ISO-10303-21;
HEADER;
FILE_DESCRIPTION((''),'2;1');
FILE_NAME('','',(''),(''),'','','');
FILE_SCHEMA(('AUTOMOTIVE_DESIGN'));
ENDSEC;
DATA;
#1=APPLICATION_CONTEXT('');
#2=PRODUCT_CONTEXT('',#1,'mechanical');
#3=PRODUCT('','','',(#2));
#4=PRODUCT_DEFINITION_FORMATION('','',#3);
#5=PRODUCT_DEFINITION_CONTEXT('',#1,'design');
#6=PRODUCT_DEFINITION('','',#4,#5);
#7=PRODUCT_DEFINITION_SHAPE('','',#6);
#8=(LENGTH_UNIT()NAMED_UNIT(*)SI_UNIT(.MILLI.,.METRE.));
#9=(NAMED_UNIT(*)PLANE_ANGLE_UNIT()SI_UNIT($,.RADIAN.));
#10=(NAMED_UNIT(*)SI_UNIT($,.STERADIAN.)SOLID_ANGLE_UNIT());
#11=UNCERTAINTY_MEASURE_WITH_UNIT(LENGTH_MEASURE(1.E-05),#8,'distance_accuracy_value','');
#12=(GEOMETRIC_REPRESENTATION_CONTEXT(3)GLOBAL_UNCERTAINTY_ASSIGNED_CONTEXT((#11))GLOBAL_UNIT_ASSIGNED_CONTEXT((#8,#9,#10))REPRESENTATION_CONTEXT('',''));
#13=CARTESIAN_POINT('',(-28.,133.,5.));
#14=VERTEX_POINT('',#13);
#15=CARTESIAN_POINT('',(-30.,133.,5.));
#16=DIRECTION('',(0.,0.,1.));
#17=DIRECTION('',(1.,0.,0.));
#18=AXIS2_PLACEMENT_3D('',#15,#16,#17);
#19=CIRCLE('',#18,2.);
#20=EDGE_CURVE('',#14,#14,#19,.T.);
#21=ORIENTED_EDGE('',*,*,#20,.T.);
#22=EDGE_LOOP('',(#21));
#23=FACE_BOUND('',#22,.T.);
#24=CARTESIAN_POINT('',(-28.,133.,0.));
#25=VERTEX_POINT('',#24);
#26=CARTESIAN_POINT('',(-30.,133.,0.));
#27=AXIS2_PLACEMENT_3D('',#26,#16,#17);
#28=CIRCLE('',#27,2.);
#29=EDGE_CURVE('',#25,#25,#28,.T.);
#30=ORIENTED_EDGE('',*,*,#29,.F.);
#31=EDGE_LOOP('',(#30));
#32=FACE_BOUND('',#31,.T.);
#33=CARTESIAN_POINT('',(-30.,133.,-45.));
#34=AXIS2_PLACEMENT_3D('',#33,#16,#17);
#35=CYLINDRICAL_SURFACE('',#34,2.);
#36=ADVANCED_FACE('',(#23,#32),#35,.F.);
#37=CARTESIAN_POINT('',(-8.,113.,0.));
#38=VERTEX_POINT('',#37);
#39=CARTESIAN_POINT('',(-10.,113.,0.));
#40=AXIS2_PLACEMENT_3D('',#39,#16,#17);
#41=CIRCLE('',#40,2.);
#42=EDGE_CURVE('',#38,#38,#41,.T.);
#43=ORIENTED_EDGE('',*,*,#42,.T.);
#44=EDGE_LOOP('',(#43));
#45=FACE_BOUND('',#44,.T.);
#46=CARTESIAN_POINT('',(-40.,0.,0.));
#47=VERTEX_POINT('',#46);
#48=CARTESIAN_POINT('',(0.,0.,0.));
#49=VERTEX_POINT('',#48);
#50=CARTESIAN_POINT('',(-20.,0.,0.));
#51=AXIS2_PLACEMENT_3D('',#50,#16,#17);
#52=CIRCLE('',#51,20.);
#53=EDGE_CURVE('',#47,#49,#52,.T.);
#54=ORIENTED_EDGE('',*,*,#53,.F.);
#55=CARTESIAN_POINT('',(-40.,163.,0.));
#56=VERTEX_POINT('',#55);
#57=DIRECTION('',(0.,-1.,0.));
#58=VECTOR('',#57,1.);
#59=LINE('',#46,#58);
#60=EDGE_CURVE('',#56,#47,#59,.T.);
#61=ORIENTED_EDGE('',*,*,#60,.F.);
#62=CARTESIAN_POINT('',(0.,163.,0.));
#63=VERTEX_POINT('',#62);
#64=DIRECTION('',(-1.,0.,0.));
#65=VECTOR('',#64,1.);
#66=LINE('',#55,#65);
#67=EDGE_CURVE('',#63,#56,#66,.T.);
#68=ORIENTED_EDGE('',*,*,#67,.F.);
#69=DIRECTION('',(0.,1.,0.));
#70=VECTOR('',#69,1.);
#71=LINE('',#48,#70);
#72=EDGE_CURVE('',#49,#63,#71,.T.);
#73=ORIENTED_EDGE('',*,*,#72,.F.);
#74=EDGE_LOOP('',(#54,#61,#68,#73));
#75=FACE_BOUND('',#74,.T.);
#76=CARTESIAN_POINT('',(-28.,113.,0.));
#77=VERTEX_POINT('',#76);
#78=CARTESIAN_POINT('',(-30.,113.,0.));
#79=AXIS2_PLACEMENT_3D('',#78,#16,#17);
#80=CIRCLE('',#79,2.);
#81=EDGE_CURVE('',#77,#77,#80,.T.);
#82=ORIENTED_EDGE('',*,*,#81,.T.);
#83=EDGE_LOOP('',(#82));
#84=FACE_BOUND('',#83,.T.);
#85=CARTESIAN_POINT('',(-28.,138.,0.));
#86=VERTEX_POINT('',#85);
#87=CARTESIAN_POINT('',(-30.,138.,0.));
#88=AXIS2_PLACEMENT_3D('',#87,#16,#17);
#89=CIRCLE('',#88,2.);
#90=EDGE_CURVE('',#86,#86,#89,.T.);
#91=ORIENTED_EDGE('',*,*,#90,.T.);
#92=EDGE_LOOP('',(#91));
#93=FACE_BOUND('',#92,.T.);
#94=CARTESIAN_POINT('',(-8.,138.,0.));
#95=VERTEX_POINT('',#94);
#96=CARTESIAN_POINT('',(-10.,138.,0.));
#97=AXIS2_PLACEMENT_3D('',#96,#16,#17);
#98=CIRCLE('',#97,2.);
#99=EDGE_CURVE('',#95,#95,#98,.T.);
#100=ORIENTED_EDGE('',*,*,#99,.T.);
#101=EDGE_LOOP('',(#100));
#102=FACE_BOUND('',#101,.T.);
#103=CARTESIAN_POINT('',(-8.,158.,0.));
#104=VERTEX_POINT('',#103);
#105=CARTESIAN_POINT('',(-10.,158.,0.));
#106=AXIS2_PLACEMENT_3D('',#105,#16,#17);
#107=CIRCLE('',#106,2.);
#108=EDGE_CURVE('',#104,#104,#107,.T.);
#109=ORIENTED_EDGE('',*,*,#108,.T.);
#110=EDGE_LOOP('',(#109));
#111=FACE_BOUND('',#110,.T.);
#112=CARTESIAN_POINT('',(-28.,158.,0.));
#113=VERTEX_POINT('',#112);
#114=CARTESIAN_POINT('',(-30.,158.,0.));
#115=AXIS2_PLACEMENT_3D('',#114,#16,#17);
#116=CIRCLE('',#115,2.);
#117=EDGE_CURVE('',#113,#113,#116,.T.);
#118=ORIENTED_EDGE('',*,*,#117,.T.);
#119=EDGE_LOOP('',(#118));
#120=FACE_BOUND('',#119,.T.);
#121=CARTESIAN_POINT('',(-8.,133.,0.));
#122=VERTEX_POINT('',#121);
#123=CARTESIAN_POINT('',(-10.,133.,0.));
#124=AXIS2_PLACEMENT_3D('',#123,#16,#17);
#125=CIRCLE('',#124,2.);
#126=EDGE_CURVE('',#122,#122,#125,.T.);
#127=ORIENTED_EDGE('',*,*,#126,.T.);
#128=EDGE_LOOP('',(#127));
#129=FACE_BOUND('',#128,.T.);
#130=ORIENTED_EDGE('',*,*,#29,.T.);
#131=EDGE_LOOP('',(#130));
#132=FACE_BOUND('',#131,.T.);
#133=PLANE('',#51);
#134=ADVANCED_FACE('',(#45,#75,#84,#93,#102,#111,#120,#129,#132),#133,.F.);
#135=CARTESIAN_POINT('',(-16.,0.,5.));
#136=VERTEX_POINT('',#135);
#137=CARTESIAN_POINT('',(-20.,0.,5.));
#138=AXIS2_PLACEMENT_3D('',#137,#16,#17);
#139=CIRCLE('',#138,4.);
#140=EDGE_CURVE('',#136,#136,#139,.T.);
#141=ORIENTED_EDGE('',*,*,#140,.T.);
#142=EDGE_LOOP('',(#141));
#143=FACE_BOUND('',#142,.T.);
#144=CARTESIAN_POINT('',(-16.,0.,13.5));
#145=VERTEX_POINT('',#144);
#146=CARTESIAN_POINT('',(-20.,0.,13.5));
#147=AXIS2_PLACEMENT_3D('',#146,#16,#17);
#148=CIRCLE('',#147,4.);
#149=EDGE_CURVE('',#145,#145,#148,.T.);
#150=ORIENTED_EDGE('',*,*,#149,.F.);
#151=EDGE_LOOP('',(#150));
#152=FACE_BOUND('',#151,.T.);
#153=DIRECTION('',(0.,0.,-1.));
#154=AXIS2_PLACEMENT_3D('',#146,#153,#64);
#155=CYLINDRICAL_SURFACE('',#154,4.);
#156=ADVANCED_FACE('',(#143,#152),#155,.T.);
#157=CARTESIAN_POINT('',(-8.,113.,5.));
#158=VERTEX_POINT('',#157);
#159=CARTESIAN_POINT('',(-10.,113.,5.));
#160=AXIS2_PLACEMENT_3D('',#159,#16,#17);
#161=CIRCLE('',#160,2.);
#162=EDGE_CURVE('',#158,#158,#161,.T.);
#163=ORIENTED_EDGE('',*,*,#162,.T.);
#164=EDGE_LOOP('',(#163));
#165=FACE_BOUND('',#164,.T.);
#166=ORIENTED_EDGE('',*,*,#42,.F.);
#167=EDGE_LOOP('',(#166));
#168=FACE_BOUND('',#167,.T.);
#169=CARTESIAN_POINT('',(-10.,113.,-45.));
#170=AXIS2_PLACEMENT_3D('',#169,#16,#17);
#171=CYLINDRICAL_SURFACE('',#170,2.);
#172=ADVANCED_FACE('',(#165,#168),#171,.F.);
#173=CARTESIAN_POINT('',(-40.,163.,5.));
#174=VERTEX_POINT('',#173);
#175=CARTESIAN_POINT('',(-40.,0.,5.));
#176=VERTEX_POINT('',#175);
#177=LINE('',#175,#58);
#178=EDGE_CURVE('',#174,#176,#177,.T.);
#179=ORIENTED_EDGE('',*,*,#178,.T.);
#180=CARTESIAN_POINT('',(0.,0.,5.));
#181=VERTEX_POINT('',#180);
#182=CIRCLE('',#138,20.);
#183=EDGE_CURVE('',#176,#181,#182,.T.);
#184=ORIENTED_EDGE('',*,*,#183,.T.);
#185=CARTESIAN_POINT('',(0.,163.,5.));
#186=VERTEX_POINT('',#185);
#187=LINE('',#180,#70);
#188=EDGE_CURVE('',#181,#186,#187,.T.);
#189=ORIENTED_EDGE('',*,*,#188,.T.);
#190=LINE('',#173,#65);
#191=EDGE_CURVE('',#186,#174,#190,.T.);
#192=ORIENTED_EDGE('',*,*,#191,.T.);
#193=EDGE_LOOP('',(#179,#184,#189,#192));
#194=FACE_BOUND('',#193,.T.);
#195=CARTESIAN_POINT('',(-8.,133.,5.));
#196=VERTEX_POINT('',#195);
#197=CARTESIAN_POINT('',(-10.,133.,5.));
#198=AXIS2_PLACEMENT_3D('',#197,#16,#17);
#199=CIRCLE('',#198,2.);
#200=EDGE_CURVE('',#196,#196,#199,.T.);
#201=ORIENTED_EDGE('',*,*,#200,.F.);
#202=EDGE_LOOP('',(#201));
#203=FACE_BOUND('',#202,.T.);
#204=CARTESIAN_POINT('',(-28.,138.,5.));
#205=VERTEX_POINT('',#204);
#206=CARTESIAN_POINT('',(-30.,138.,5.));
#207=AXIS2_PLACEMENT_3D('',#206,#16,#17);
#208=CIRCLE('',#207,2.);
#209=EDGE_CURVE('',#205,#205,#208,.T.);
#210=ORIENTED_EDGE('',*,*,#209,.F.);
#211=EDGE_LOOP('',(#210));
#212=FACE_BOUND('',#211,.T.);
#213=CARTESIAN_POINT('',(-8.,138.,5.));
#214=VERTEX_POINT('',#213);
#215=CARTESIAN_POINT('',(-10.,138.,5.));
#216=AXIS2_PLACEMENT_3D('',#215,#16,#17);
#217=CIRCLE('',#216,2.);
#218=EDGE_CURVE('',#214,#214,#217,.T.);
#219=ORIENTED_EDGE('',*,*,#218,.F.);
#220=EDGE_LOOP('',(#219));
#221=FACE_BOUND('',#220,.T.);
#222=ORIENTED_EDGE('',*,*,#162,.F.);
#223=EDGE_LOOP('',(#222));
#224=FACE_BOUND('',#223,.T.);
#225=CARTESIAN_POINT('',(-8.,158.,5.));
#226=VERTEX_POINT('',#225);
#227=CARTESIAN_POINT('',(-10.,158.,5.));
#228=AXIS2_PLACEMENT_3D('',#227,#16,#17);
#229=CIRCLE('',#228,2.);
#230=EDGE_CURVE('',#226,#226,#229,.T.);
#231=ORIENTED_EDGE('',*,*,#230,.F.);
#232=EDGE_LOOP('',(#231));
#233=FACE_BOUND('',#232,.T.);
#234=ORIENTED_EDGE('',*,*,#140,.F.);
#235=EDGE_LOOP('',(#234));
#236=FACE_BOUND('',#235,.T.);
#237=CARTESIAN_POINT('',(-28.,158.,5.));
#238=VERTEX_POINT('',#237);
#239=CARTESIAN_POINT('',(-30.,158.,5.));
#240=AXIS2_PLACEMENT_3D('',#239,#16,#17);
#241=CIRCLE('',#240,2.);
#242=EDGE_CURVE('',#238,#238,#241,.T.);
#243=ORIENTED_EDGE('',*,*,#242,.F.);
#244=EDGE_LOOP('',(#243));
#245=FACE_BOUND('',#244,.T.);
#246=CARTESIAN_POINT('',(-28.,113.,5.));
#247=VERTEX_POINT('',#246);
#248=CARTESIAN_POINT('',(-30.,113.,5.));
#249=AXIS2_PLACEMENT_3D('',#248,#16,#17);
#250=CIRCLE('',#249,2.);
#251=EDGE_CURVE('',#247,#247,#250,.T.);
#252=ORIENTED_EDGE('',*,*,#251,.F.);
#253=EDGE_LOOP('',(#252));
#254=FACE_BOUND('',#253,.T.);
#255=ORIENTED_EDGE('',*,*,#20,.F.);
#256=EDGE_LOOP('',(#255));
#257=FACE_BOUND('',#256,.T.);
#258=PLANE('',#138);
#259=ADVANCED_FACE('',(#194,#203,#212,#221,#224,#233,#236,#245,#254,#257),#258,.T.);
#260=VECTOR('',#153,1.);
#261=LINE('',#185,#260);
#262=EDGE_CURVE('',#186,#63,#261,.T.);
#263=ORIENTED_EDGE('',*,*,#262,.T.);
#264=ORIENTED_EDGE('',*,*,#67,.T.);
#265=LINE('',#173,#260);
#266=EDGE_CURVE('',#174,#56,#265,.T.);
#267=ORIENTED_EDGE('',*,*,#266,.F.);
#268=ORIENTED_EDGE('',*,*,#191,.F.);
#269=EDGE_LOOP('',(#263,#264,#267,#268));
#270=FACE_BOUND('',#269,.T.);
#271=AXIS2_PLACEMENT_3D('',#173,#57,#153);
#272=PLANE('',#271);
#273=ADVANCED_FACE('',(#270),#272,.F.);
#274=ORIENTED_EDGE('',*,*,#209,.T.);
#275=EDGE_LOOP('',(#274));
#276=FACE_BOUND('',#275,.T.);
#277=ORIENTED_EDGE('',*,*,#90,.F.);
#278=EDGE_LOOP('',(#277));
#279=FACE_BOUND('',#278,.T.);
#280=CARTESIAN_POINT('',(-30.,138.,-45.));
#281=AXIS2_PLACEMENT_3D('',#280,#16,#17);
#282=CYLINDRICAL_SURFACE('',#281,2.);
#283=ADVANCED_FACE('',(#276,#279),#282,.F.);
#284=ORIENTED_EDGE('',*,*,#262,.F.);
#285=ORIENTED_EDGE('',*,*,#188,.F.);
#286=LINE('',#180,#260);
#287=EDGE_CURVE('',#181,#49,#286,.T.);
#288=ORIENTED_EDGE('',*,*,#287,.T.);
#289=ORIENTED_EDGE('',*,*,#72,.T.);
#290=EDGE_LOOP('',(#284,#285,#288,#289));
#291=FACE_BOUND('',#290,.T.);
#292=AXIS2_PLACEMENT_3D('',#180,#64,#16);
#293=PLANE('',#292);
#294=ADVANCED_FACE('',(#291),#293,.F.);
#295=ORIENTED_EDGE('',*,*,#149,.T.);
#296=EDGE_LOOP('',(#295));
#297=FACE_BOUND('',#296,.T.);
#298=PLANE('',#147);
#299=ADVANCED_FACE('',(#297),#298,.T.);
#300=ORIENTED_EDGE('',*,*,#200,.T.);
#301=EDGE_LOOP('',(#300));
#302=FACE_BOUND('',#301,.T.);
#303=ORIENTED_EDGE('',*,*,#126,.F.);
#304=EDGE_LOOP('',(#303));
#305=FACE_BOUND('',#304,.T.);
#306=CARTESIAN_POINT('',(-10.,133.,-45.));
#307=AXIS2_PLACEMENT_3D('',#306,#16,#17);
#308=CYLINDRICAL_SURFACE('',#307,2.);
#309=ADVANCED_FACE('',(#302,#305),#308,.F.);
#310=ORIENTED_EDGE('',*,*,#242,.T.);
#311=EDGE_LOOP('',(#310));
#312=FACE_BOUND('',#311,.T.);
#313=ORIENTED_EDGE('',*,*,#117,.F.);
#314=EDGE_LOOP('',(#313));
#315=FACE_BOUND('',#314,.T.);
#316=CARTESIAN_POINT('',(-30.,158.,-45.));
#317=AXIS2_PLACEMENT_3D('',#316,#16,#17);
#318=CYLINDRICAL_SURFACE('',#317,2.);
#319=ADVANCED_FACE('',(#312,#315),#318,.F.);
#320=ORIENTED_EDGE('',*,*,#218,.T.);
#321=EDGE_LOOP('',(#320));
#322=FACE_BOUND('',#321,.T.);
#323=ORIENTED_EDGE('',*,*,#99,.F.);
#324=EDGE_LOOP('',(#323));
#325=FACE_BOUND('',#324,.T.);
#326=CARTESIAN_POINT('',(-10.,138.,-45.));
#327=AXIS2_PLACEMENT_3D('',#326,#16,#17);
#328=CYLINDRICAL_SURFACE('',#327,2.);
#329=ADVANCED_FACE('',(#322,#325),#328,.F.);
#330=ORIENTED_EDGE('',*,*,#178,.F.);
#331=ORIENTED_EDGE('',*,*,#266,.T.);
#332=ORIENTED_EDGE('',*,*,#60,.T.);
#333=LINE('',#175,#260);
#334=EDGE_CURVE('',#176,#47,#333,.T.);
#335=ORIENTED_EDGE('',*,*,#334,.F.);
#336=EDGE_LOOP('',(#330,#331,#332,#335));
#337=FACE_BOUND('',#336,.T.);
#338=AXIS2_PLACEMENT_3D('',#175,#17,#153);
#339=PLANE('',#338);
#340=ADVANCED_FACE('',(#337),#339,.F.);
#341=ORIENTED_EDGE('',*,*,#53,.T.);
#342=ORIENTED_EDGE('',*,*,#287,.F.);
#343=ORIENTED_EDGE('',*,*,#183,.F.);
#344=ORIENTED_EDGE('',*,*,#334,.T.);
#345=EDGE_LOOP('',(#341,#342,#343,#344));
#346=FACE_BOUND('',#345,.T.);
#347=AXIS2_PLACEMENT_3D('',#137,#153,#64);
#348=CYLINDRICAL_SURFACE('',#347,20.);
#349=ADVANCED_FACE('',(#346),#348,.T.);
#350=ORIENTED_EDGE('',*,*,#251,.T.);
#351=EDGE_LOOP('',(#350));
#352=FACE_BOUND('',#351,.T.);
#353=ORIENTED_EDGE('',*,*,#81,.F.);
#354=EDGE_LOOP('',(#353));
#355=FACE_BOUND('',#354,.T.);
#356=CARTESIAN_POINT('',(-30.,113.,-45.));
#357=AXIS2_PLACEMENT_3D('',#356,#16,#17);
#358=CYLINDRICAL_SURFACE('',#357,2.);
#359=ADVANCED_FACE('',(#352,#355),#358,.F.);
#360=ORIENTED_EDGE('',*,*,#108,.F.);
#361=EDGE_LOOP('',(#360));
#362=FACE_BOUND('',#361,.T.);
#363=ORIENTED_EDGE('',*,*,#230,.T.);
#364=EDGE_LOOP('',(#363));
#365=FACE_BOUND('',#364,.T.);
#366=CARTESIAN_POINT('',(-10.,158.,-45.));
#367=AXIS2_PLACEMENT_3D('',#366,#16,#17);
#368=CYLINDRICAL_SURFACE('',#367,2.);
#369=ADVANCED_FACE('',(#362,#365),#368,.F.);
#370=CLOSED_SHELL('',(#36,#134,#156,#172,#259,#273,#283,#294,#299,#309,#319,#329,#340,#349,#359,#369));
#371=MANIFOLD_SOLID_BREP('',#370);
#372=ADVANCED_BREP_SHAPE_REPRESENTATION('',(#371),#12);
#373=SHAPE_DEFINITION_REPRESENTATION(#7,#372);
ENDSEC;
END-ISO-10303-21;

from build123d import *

# Parameters (mm, degrees)
BOSS_EXTRUDE1_DEPTH = 5
SKETCH2_R           = 4
BOSS_EXTRUDE2_DEPTH = 8.5
SKETCH3_R           = 2
CUT_EXTRUDE1_DEPTH  = 50
SKETCH5_R           = 2
CUT_EXTRUDE2_DEPTH  = 50
LPATTERN1_COUNT     = 2
LPATTERN1_PITCH     = 20


with BuildPart() as part:
    # Sketch1 → Boss-Extrude1 (new body)
    with BuildSketch(Plane.XY):
        with BuildLine():
            Line((-40, 163), (0, 163))
            Line((0, 163), (0, 0))
            ThreePointArc((0, 0), (-20, -20), (-40, 0))
            Line((-40, 0), (-40, 163))
        make_face()
    extrude(amount=BOSS_EXTRUDE1_DEPTH)

    # Sketch2 → Boss-Extrude2 (add)
    with BuildSketch(Plane.XY.offset(5)):
        with Locations((-20, 0)):
            Circle(SKETCH2_R)
    extrude(amount=BOSS_EXTRUDE2_DEPTH)

    # Sketch3 → Cut-Extrude1 (cut)
    with BuildSketch(Plane.XY.offset(5)):
        with Locations((-30, 158)):
            Circle(SKETCH3_R)
        with Locations((-10, 158)):
            Circle(SKETCH3_R)
    cut_extrude1 = extrude(amount=-CUT_EXTRUDE1_DEPTH, mode=Mode.SUBTRACT)

    # Sketch5 → Cut-Extrude2 (cut)
    with BuildSketch(Plane.XY.offset(5)):
        with Locations((-30, 133)):
            Circle(SKETCH5_R)
        with Locations((-10, 133)):
            Circle(SKETCH5_R)
    cut_extrude2 = extrude(amount=-CUT_EXTRUDE2_DEPTH, mode=Mode.SUBTRACT)

    # LPattern1: Cut-Extrude1, Cut-Extrude2 ×2
    with Locations(*[(0, -i * LPATTERN1_PITCH, 0) for i in range(1, LPATTERN1_COUNT)]):
        add(cut_extrude1, mode=Mode.SUBTRACT)
        add(cut_extrude2, mode=Mode.SUBTRACT)


solid = part.part
